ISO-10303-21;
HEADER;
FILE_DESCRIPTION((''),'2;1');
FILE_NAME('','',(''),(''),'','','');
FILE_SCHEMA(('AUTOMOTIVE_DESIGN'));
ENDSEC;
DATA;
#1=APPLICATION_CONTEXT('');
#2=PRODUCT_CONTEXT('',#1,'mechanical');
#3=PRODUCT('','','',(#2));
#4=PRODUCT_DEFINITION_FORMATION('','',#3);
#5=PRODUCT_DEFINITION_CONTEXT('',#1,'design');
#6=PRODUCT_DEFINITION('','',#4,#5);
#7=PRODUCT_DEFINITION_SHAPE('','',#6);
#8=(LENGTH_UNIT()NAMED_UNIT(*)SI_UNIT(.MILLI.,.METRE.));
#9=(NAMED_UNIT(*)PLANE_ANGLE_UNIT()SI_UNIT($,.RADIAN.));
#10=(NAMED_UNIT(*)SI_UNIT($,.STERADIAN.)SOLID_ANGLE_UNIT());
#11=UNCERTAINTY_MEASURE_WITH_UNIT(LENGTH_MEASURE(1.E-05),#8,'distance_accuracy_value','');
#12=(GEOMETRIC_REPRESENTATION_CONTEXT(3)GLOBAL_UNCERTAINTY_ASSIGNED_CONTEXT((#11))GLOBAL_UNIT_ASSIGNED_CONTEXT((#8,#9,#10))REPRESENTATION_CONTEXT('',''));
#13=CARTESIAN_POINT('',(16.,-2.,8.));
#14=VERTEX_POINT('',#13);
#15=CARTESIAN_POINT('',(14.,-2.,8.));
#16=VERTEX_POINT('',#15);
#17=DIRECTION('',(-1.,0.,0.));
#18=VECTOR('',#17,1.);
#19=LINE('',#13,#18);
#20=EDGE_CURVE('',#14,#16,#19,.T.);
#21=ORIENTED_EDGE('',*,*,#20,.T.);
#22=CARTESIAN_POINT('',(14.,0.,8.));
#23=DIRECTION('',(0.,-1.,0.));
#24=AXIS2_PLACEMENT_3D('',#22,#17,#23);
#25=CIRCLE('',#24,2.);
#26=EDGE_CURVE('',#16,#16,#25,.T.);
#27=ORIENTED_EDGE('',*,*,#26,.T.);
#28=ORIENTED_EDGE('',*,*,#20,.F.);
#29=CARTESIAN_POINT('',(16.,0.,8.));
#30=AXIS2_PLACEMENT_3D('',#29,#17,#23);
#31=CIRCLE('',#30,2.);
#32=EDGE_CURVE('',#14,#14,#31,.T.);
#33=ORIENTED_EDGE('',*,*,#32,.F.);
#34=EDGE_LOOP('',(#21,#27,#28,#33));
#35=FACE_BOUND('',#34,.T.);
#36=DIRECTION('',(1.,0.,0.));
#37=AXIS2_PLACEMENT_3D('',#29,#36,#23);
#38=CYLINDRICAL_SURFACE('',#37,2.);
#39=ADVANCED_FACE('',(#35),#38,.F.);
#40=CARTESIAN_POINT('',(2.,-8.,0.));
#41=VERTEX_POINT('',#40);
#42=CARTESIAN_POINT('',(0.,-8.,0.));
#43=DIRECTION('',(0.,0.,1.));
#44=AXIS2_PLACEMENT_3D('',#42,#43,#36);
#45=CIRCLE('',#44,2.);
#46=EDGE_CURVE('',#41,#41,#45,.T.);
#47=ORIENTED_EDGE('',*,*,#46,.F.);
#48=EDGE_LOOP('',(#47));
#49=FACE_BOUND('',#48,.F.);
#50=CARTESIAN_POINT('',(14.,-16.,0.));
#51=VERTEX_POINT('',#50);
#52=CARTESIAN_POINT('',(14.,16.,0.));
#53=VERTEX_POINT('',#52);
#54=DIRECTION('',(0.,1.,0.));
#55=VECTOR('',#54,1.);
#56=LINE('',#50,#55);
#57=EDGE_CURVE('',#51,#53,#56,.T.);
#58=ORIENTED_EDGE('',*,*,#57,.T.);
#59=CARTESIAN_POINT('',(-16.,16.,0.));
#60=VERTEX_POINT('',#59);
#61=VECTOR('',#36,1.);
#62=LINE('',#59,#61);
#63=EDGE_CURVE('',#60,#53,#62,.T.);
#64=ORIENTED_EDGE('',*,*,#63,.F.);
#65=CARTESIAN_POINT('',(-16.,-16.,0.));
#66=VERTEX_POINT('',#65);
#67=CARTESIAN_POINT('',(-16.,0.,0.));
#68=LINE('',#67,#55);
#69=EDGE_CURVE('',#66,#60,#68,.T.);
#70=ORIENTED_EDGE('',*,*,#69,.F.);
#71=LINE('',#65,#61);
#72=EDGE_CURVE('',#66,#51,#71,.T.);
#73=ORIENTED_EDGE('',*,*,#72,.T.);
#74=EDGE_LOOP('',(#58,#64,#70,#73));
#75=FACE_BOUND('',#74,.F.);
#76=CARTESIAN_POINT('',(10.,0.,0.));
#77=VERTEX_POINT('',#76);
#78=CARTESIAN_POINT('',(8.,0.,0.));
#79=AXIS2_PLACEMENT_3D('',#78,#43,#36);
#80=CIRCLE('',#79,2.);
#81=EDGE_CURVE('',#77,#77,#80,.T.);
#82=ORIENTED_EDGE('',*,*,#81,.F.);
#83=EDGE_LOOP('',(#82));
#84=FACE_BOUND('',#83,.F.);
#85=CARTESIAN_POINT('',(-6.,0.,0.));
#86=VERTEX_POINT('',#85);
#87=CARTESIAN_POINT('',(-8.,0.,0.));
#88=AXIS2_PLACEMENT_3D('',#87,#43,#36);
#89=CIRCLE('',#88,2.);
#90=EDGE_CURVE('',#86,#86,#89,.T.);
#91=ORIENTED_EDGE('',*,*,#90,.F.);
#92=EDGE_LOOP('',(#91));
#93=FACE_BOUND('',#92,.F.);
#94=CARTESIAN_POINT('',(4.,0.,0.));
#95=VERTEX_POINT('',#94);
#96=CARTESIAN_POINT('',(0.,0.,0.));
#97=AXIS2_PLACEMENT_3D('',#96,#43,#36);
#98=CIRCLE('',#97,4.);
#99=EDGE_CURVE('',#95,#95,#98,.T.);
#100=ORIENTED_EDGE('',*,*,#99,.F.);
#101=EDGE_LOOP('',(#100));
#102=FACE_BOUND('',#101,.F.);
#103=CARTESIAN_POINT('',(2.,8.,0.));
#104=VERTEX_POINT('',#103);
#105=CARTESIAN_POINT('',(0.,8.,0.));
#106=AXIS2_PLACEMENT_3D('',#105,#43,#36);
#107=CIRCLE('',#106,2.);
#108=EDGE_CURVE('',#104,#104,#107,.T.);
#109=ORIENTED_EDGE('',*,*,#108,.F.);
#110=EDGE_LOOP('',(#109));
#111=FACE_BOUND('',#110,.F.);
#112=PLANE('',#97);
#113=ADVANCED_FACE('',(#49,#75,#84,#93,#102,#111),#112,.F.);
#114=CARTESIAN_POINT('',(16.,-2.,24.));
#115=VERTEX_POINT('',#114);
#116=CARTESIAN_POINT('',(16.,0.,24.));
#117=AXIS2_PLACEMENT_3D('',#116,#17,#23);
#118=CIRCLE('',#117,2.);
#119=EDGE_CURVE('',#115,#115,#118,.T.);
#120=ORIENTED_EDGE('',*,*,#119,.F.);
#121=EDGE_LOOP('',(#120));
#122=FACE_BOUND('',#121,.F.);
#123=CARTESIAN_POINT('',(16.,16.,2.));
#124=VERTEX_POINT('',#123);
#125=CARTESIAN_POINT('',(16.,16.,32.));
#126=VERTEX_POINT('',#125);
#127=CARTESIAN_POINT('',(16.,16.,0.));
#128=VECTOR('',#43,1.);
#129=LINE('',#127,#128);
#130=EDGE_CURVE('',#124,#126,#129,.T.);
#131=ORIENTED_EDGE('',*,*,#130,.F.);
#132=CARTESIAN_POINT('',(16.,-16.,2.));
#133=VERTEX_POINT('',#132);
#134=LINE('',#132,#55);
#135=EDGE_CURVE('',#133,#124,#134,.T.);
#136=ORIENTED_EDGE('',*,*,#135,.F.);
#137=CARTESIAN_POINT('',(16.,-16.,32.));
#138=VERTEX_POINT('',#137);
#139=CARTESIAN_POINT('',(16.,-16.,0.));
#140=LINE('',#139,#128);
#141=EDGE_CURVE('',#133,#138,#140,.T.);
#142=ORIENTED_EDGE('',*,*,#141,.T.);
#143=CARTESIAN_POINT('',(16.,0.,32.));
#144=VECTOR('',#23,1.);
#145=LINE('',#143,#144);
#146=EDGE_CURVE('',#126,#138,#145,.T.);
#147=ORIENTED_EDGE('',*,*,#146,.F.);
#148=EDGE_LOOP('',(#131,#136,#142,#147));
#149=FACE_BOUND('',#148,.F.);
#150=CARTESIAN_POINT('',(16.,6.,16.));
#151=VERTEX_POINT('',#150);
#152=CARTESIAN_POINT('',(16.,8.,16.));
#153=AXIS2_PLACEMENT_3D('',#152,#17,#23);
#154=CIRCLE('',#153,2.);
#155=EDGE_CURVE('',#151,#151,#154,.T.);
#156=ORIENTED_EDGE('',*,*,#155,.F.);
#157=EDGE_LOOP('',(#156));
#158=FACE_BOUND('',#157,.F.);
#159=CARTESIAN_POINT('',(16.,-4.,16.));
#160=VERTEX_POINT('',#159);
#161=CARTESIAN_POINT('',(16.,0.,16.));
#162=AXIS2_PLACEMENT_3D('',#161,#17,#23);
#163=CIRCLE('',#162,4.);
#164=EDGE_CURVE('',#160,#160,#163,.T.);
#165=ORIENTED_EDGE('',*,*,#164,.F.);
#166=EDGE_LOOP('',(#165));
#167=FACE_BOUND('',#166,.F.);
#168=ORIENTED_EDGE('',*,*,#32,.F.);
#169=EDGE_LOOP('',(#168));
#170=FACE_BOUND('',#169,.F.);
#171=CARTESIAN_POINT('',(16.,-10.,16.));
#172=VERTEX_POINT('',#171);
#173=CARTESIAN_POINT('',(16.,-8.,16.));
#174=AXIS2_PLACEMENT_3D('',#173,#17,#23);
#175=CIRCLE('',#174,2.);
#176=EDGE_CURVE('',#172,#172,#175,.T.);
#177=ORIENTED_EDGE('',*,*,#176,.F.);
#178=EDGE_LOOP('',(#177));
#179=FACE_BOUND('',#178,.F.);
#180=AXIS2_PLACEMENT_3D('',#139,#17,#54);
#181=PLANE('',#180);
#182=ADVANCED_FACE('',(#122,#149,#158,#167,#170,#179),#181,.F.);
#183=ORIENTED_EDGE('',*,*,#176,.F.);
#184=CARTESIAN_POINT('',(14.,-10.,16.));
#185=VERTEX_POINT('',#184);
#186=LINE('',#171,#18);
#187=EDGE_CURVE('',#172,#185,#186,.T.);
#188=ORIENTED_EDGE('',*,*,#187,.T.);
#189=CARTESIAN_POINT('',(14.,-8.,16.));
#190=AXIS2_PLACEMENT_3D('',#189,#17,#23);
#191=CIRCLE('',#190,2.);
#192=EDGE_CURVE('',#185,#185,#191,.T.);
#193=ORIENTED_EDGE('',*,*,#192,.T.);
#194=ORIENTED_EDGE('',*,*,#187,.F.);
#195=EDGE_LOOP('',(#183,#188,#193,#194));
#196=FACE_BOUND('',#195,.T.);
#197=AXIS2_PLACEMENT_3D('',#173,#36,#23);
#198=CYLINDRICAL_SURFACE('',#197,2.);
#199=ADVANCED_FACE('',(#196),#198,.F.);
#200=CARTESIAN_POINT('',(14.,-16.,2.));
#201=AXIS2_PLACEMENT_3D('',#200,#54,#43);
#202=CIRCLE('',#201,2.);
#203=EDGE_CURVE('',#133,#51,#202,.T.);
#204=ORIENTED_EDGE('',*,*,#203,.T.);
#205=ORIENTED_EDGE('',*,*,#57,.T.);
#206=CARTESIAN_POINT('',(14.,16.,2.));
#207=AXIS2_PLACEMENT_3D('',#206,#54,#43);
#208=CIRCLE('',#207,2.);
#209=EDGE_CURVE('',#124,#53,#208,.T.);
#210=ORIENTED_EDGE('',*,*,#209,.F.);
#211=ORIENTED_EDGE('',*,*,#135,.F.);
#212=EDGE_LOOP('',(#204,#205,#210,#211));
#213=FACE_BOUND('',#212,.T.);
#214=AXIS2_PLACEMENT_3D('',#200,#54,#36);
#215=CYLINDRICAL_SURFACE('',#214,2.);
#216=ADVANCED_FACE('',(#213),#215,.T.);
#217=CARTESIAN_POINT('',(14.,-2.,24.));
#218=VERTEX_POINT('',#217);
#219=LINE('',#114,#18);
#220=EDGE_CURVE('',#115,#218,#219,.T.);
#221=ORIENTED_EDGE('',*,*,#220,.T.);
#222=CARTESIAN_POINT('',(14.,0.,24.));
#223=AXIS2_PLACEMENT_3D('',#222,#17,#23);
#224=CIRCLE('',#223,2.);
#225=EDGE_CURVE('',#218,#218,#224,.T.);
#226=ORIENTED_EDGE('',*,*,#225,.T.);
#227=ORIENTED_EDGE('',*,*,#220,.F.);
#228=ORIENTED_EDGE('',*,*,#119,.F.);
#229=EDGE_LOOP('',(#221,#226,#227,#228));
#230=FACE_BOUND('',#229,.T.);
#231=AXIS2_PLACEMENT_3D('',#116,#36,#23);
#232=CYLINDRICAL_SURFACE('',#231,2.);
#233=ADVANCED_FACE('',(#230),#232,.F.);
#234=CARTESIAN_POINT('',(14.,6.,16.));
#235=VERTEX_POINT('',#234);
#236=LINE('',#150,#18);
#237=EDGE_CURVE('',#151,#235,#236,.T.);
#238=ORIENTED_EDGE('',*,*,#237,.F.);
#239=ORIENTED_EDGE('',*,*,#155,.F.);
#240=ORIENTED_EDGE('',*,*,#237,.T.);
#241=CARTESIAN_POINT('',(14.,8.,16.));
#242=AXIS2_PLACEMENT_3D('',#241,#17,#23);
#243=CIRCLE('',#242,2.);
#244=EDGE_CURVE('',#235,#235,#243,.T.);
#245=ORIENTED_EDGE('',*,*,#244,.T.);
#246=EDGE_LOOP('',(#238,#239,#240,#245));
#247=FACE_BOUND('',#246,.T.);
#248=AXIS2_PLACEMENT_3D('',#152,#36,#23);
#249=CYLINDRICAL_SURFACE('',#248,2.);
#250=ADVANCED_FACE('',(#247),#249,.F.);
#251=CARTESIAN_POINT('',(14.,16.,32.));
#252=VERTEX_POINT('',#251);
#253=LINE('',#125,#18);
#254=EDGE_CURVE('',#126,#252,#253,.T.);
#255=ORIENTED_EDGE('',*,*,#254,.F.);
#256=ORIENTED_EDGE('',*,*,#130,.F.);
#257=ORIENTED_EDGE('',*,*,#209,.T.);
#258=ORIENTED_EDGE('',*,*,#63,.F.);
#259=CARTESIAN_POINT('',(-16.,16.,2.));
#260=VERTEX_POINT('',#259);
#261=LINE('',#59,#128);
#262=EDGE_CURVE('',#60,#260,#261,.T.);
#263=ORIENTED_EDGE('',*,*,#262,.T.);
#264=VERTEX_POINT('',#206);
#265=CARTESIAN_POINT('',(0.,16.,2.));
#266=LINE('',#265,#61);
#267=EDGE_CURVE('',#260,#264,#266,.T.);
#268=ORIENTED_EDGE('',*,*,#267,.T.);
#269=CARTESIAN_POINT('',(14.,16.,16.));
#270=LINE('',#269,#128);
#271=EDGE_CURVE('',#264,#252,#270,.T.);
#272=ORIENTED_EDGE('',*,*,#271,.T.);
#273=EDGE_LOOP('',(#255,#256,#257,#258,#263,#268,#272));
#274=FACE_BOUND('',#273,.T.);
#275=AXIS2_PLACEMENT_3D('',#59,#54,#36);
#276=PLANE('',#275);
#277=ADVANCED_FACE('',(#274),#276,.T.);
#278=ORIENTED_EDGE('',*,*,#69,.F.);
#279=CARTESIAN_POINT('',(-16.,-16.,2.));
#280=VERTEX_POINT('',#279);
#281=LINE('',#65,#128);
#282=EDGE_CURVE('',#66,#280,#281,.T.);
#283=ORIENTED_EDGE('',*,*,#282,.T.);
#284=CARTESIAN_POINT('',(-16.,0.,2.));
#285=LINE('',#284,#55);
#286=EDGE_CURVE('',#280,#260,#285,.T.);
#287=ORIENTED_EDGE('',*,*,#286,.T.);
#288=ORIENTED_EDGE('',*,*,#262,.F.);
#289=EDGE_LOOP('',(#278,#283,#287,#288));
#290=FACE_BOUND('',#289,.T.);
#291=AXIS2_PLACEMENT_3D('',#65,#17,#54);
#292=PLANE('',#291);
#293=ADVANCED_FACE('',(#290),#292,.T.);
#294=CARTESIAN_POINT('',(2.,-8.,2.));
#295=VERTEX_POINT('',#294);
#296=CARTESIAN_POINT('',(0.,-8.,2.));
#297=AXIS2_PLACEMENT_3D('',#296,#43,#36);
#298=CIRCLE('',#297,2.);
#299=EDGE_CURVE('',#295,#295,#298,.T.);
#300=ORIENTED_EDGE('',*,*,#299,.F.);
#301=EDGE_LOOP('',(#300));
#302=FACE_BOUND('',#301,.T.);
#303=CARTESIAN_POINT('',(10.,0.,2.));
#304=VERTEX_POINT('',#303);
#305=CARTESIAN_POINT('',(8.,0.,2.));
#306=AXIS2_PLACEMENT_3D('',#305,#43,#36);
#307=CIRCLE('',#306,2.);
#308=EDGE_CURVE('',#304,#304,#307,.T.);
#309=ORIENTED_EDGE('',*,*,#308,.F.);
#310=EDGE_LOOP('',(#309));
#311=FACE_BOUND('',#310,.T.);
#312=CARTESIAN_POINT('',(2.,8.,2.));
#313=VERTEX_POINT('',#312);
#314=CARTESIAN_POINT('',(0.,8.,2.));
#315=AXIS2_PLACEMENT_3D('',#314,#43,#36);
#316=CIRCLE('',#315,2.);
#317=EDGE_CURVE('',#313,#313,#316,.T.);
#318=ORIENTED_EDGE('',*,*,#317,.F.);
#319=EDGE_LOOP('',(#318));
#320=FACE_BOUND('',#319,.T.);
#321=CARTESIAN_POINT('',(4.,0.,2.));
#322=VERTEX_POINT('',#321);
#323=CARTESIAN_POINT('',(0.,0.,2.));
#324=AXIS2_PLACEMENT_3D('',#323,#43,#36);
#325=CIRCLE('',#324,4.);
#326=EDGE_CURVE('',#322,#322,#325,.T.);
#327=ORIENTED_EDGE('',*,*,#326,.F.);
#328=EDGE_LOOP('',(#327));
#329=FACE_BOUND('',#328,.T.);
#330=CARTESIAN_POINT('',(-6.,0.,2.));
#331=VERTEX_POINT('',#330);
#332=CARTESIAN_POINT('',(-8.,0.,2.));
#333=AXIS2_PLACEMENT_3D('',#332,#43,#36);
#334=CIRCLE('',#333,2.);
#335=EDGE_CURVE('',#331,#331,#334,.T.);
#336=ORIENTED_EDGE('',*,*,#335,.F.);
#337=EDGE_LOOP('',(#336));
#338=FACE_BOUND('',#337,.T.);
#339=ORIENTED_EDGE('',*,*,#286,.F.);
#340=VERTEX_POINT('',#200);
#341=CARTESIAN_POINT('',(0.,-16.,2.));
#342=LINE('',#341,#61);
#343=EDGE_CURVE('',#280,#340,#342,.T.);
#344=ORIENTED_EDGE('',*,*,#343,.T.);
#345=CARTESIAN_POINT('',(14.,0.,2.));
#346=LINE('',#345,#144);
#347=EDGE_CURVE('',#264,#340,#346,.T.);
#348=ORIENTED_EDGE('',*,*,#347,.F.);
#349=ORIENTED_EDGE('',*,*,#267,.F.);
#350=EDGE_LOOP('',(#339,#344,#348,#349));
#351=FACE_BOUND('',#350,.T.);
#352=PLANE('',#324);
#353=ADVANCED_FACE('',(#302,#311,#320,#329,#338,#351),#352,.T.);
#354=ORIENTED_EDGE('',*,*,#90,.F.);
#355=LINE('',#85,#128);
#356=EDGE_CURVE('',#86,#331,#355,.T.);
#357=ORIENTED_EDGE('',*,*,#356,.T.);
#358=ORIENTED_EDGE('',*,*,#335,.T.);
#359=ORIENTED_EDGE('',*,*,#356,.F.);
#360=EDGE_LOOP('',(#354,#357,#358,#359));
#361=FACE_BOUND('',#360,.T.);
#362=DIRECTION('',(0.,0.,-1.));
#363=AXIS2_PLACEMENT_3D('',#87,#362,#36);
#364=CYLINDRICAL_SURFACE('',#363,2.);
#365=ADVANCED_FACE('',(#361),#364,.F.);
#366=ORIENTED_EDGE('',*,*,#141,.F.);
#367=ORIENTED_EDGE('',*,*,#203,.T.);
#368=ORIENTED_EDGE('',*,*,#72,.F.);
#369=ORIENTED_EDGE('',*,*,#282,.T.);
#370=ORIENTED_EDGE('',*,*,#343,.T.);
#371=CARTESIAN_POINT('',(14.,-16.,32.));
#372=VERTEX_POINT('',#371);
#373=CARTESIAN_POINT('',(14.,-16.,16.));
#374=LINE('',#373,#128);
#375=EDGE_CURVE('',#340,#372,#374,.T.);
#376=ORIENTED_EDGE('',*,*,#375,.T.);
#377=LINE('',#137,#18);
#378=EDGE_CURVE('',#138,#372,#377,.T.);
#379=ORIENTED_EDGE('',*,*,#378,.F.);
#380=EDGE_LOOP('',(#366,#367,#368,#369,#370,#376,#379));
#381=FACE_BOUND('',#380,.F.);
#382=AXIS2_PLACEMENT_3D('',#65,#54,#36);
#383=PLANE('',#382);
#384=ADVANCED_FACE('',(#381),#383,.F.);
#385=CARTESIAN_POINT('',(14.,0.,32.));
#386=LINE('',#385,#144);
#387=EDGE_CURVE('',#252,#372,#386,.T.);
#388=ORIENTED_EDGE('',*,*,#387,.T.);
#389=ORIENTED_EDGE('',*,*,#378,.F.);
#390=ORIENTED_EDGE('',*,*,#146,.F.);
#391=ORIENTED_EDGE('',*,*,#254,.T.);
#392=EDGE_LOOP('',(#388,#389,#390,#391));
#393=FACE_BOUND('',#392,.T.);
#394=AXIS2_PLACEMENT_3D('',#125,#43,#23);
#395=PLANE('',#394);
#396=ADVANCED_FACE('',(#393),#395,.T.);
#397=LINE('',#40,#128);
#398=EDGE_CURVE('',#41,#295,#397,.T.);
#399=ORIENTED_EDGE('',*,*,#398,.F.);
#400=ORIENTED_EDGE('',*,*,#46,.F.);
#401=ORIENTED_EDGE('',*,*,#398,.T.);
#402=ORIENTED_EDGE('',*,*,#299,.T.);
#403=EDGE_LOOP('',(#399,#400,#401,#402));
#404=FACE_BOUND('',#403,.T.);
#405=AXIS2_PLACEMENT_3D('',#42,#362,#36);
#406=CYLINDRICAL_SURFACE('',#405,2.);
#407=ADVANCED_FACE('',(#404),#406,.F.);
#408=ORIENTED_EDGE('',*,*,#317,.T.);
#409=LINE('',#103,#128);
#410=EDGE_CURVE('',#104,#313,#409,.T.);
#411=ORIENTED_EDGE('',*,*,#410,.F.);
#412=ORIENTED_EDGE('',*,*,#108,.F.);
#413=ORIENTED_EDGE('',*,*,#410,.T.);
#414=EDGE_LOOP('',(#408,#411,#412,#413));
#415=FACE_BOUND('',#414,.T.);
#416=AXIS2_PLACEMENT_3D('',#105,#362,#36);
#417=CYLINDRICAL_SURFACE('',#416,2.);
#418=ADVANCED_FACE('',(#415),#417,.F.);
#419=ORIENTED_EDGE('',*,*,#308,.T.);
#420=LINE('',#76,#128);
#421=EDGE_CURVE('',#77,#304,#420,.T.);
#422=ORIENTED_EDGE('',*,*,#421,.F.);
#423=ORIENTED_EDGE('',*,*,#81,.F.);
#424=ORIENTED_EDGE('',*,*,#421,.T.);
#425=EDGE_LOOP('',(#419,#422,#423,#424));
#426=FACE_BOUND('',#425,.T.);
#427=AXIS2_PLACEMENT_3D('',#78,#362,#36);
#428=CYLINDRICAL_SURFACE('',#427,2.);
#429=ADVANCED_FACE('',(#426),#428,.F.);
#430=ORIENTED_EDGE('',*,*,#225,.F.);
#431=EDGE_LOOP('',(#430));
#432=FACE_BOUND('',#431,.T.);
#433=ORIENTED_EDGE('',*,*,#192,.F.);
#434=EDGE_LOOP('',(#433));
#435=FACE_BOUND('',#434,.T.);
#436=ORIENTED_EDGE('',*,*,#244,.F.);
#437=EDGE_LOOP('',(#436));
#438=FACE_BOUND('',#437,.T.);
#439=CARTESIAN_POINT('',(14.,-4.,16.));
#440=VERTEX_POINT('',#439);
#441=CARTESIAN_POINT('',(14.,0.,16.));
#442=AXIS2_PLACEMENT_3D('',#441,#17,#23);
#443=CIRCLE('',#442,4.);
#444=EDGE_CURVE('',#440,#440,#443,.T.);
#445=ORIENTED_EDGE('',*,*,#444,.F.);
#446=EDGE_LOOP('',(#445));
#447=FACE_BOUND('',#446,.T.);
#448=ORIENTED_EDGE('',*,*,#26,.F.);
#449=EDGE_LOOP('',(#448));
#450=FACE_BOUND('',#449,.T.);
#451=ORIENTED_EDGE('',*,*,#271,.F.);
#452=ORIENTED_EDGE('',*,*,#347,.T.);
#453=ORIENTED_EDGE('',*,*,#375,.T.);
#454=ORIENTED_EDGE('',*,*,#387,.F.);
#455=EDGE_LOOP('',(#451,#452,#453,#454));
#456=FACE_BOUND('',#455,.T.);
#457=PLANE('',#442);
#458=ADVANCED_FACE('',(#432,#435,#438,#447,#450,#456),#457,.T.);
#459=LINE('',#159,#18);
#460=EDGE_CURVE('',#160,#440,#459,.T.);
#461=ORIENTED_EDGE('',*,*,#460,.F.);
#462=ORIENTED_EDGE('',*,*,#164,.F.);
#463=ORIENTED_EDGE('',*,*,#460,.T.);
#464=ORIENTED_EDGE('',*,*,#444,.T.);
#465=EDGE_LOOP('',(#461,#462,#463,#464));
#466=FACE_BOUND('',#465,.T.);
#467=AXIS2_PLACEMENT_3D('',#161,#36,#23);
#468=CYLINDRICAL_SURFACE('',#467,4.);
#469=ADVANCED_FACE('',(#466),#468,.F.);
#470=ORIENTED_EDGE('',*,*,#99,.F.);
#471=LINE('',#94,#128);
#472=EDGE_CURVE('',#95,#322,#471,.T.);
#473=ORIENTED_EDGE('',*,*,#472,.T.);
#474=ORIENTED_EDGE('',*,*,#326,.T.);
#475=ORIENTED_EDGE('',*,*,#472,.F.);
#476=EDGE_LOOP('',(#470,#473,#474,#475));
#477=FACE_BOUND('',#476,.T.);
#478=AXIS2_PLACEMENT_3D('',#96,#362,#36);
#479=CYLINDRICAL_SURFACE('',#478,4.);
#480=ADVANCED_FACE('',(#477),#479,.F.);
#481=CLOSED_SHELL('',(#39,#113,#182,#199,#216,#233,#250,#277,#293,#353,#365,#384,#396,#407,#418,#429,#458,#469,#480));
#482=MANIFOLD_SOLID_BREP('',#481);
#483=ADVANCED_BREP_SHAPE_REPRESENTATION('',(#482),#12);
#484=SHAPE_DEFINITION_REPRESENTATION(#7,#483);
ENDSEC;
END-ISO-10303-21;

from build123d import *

# Parameters (mm, degrees)
F0_W     = 32
F0_H     = 32
F0_R     = 2
F0_R_2   = 4
F3_DEPTH = 2
F2_W     = 32
F2_H     = 32
F2_R     = 2
F2_R_2   = 4
F4_DEPTH = 2
F5_R     = 2


with BuildPart() as f3:
    # F0 (on Top) → F3 (new body)
    with BuildSketch(Plane.XY):
        Rectangle(F0_W, F0_H)
        with Locations((0, -8)):
            Circle(F0_R, mode=Mode.SUBTRACT)
        with Locations((-8, 0)):
            Circle(F0_R, mode=Mode.SUBTRACT)
        Circle(F0_R_2, mode=Mode.SUBTRACT)
        with Locations((8, 0)):
            Circle(F0_R, mode=Mode.SUBTRACT)
        with Locations((0, 8)):
            Circle(F0_R, mode=Mode.SUBTRACT)
    extrude(amount=F3_DEPTH)

    # F2 (on face) → F4 (join)
    with BuildSketch(Plane(origin=(16, 0, 0), x_dir=(0, -1, 0), z_dir=(-1, 0, 0))):
        with Locations((0, 16)):
            Rectangle(F2_W, F2_H)
        with Locations((0, 8)):
            Circle(F2_R, mode=Mode.SUBTRACT)
        with Locations((-8, 16)):
            Circle(F2_R, mode=Mode.SUBTRACT)
        with Locations((0, 16)):
            Circle(F2_R_2, mode=Mode.SUBTRACT)
        with Locations((8, 16)):
            Circle(F2_R, mode=Mode.SUBTRACT)
        with Locations((0, 24)):
            Circle(F2_R, mode=Mode.SUBTRACT)
    extrude(amount=F4_DEPTH)

    # F5
    f5_edges = [f3.edges().sort_by_distance(p)[0] for p in [
        (16, 0, 0),
    ]]
    fillet(f5_edges, radius=F5_R)


solid = f3.part
